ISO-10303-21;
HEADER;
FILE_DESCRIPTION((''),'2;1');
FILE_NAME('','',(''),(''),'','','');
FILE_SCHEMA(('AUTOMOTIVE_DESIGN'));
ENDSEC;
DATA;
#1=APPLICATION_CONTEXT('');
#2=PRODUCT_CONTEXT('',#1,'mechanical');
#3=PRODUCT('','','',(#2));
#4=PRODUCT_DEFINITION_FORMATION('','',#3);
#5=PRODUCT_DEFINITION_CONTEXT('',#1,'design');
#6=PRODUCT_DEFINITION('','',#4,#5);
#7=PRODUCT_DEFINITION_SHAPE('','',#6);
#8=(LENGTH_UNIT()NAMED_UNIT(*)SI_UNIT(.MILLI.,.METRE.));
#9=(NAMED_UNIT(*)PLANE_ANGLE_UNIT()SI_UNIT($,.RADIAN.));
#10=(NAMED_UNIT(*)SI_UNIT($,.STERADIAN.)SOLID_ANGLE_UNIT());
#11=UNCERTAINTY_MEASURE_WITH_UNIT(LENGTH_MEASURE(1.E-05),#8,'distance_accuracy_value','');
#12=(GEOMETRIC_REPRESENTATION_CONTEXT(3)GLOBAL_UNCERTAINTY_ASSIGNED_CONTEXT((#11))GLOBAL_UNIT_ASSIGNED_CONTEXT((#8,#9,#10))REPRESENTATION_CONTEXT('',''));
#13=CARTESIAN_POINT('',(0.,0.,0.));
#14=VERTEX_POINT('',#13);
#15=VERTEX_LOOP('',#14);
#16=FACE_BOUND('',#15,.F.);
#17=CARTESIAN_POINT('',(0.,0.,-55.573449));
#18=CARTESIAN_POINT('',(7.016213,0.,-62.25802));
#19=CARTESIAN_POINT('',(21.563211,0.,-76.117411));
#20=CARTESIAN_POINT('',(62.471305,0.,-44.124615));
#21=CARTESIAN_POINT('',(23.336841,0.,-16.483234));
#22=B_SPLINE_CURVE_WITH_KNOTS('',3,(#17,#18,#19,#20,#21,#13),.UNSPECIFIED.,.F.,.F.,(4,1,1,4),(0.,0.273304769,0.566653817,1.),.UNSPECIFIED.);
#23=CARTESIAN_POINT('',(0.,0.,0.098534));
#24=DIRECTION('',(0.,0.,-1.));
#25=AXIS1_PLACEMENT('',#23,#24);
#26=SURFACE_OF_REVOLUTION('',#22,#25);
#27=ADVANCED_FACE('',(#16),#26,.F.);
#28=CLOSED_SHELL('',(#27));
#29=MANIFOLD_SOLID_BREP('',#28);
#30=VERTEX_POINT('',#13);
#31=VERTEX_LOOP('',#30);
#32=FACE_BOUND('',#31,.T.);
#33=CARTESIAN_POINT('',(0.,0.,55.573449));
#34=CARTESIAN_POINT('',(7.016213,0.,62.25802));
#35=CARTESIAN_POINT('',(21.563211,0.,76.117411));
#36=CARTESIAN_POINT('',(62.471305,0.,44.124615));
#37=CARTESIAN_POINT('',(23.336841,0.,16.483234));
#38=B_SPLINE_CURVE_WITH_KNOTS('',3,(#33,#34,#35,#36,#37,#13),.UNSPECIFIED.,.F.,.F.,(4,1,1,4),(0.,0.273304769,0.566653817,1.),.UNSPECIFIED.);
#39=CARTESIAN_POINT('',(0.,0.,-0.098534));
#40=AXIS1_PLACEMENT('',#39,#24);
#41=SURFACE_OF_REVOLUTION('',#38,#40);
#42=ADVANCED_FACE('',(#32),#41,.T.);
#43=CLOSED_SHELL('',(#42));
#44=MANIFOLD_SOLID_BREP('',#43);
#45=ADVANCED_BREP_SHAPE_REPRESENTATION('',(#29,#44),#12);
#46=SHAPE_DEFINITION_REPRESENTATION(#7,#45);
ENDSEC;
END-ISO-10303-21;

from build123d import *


with BuildPart() as f1:
    # F0 (on Front) → F1 (revolve)
    with BuildSketch(Plane.XZ):
        with BuildLine():
            add(Edge.make_bspline(
                [(0, 55.5734485388), (7.0162130061, 62.2580196004), (21.5632108294, 76.1174107848), (62.4713048467, 44.1246151007), (23.3368405571, 16.4832335386), (0, 0)],
                knots=[0, 0, 0, 0, 0.2733047688, 0.5666538165, 1, 1, 1, 1], degree=3))
            Line((0, 55.5734485388), (0, 0))
        make_face()
    revolve(axis=Axis((0, 0, -0.0985339284), (0, 0, -1)))


with BuildPart() as f2_1:
    # F2: instance of F1
    add(f1.part.mirror(Plane.XY))


solid = Compound([f1.part, f2_1.part])
